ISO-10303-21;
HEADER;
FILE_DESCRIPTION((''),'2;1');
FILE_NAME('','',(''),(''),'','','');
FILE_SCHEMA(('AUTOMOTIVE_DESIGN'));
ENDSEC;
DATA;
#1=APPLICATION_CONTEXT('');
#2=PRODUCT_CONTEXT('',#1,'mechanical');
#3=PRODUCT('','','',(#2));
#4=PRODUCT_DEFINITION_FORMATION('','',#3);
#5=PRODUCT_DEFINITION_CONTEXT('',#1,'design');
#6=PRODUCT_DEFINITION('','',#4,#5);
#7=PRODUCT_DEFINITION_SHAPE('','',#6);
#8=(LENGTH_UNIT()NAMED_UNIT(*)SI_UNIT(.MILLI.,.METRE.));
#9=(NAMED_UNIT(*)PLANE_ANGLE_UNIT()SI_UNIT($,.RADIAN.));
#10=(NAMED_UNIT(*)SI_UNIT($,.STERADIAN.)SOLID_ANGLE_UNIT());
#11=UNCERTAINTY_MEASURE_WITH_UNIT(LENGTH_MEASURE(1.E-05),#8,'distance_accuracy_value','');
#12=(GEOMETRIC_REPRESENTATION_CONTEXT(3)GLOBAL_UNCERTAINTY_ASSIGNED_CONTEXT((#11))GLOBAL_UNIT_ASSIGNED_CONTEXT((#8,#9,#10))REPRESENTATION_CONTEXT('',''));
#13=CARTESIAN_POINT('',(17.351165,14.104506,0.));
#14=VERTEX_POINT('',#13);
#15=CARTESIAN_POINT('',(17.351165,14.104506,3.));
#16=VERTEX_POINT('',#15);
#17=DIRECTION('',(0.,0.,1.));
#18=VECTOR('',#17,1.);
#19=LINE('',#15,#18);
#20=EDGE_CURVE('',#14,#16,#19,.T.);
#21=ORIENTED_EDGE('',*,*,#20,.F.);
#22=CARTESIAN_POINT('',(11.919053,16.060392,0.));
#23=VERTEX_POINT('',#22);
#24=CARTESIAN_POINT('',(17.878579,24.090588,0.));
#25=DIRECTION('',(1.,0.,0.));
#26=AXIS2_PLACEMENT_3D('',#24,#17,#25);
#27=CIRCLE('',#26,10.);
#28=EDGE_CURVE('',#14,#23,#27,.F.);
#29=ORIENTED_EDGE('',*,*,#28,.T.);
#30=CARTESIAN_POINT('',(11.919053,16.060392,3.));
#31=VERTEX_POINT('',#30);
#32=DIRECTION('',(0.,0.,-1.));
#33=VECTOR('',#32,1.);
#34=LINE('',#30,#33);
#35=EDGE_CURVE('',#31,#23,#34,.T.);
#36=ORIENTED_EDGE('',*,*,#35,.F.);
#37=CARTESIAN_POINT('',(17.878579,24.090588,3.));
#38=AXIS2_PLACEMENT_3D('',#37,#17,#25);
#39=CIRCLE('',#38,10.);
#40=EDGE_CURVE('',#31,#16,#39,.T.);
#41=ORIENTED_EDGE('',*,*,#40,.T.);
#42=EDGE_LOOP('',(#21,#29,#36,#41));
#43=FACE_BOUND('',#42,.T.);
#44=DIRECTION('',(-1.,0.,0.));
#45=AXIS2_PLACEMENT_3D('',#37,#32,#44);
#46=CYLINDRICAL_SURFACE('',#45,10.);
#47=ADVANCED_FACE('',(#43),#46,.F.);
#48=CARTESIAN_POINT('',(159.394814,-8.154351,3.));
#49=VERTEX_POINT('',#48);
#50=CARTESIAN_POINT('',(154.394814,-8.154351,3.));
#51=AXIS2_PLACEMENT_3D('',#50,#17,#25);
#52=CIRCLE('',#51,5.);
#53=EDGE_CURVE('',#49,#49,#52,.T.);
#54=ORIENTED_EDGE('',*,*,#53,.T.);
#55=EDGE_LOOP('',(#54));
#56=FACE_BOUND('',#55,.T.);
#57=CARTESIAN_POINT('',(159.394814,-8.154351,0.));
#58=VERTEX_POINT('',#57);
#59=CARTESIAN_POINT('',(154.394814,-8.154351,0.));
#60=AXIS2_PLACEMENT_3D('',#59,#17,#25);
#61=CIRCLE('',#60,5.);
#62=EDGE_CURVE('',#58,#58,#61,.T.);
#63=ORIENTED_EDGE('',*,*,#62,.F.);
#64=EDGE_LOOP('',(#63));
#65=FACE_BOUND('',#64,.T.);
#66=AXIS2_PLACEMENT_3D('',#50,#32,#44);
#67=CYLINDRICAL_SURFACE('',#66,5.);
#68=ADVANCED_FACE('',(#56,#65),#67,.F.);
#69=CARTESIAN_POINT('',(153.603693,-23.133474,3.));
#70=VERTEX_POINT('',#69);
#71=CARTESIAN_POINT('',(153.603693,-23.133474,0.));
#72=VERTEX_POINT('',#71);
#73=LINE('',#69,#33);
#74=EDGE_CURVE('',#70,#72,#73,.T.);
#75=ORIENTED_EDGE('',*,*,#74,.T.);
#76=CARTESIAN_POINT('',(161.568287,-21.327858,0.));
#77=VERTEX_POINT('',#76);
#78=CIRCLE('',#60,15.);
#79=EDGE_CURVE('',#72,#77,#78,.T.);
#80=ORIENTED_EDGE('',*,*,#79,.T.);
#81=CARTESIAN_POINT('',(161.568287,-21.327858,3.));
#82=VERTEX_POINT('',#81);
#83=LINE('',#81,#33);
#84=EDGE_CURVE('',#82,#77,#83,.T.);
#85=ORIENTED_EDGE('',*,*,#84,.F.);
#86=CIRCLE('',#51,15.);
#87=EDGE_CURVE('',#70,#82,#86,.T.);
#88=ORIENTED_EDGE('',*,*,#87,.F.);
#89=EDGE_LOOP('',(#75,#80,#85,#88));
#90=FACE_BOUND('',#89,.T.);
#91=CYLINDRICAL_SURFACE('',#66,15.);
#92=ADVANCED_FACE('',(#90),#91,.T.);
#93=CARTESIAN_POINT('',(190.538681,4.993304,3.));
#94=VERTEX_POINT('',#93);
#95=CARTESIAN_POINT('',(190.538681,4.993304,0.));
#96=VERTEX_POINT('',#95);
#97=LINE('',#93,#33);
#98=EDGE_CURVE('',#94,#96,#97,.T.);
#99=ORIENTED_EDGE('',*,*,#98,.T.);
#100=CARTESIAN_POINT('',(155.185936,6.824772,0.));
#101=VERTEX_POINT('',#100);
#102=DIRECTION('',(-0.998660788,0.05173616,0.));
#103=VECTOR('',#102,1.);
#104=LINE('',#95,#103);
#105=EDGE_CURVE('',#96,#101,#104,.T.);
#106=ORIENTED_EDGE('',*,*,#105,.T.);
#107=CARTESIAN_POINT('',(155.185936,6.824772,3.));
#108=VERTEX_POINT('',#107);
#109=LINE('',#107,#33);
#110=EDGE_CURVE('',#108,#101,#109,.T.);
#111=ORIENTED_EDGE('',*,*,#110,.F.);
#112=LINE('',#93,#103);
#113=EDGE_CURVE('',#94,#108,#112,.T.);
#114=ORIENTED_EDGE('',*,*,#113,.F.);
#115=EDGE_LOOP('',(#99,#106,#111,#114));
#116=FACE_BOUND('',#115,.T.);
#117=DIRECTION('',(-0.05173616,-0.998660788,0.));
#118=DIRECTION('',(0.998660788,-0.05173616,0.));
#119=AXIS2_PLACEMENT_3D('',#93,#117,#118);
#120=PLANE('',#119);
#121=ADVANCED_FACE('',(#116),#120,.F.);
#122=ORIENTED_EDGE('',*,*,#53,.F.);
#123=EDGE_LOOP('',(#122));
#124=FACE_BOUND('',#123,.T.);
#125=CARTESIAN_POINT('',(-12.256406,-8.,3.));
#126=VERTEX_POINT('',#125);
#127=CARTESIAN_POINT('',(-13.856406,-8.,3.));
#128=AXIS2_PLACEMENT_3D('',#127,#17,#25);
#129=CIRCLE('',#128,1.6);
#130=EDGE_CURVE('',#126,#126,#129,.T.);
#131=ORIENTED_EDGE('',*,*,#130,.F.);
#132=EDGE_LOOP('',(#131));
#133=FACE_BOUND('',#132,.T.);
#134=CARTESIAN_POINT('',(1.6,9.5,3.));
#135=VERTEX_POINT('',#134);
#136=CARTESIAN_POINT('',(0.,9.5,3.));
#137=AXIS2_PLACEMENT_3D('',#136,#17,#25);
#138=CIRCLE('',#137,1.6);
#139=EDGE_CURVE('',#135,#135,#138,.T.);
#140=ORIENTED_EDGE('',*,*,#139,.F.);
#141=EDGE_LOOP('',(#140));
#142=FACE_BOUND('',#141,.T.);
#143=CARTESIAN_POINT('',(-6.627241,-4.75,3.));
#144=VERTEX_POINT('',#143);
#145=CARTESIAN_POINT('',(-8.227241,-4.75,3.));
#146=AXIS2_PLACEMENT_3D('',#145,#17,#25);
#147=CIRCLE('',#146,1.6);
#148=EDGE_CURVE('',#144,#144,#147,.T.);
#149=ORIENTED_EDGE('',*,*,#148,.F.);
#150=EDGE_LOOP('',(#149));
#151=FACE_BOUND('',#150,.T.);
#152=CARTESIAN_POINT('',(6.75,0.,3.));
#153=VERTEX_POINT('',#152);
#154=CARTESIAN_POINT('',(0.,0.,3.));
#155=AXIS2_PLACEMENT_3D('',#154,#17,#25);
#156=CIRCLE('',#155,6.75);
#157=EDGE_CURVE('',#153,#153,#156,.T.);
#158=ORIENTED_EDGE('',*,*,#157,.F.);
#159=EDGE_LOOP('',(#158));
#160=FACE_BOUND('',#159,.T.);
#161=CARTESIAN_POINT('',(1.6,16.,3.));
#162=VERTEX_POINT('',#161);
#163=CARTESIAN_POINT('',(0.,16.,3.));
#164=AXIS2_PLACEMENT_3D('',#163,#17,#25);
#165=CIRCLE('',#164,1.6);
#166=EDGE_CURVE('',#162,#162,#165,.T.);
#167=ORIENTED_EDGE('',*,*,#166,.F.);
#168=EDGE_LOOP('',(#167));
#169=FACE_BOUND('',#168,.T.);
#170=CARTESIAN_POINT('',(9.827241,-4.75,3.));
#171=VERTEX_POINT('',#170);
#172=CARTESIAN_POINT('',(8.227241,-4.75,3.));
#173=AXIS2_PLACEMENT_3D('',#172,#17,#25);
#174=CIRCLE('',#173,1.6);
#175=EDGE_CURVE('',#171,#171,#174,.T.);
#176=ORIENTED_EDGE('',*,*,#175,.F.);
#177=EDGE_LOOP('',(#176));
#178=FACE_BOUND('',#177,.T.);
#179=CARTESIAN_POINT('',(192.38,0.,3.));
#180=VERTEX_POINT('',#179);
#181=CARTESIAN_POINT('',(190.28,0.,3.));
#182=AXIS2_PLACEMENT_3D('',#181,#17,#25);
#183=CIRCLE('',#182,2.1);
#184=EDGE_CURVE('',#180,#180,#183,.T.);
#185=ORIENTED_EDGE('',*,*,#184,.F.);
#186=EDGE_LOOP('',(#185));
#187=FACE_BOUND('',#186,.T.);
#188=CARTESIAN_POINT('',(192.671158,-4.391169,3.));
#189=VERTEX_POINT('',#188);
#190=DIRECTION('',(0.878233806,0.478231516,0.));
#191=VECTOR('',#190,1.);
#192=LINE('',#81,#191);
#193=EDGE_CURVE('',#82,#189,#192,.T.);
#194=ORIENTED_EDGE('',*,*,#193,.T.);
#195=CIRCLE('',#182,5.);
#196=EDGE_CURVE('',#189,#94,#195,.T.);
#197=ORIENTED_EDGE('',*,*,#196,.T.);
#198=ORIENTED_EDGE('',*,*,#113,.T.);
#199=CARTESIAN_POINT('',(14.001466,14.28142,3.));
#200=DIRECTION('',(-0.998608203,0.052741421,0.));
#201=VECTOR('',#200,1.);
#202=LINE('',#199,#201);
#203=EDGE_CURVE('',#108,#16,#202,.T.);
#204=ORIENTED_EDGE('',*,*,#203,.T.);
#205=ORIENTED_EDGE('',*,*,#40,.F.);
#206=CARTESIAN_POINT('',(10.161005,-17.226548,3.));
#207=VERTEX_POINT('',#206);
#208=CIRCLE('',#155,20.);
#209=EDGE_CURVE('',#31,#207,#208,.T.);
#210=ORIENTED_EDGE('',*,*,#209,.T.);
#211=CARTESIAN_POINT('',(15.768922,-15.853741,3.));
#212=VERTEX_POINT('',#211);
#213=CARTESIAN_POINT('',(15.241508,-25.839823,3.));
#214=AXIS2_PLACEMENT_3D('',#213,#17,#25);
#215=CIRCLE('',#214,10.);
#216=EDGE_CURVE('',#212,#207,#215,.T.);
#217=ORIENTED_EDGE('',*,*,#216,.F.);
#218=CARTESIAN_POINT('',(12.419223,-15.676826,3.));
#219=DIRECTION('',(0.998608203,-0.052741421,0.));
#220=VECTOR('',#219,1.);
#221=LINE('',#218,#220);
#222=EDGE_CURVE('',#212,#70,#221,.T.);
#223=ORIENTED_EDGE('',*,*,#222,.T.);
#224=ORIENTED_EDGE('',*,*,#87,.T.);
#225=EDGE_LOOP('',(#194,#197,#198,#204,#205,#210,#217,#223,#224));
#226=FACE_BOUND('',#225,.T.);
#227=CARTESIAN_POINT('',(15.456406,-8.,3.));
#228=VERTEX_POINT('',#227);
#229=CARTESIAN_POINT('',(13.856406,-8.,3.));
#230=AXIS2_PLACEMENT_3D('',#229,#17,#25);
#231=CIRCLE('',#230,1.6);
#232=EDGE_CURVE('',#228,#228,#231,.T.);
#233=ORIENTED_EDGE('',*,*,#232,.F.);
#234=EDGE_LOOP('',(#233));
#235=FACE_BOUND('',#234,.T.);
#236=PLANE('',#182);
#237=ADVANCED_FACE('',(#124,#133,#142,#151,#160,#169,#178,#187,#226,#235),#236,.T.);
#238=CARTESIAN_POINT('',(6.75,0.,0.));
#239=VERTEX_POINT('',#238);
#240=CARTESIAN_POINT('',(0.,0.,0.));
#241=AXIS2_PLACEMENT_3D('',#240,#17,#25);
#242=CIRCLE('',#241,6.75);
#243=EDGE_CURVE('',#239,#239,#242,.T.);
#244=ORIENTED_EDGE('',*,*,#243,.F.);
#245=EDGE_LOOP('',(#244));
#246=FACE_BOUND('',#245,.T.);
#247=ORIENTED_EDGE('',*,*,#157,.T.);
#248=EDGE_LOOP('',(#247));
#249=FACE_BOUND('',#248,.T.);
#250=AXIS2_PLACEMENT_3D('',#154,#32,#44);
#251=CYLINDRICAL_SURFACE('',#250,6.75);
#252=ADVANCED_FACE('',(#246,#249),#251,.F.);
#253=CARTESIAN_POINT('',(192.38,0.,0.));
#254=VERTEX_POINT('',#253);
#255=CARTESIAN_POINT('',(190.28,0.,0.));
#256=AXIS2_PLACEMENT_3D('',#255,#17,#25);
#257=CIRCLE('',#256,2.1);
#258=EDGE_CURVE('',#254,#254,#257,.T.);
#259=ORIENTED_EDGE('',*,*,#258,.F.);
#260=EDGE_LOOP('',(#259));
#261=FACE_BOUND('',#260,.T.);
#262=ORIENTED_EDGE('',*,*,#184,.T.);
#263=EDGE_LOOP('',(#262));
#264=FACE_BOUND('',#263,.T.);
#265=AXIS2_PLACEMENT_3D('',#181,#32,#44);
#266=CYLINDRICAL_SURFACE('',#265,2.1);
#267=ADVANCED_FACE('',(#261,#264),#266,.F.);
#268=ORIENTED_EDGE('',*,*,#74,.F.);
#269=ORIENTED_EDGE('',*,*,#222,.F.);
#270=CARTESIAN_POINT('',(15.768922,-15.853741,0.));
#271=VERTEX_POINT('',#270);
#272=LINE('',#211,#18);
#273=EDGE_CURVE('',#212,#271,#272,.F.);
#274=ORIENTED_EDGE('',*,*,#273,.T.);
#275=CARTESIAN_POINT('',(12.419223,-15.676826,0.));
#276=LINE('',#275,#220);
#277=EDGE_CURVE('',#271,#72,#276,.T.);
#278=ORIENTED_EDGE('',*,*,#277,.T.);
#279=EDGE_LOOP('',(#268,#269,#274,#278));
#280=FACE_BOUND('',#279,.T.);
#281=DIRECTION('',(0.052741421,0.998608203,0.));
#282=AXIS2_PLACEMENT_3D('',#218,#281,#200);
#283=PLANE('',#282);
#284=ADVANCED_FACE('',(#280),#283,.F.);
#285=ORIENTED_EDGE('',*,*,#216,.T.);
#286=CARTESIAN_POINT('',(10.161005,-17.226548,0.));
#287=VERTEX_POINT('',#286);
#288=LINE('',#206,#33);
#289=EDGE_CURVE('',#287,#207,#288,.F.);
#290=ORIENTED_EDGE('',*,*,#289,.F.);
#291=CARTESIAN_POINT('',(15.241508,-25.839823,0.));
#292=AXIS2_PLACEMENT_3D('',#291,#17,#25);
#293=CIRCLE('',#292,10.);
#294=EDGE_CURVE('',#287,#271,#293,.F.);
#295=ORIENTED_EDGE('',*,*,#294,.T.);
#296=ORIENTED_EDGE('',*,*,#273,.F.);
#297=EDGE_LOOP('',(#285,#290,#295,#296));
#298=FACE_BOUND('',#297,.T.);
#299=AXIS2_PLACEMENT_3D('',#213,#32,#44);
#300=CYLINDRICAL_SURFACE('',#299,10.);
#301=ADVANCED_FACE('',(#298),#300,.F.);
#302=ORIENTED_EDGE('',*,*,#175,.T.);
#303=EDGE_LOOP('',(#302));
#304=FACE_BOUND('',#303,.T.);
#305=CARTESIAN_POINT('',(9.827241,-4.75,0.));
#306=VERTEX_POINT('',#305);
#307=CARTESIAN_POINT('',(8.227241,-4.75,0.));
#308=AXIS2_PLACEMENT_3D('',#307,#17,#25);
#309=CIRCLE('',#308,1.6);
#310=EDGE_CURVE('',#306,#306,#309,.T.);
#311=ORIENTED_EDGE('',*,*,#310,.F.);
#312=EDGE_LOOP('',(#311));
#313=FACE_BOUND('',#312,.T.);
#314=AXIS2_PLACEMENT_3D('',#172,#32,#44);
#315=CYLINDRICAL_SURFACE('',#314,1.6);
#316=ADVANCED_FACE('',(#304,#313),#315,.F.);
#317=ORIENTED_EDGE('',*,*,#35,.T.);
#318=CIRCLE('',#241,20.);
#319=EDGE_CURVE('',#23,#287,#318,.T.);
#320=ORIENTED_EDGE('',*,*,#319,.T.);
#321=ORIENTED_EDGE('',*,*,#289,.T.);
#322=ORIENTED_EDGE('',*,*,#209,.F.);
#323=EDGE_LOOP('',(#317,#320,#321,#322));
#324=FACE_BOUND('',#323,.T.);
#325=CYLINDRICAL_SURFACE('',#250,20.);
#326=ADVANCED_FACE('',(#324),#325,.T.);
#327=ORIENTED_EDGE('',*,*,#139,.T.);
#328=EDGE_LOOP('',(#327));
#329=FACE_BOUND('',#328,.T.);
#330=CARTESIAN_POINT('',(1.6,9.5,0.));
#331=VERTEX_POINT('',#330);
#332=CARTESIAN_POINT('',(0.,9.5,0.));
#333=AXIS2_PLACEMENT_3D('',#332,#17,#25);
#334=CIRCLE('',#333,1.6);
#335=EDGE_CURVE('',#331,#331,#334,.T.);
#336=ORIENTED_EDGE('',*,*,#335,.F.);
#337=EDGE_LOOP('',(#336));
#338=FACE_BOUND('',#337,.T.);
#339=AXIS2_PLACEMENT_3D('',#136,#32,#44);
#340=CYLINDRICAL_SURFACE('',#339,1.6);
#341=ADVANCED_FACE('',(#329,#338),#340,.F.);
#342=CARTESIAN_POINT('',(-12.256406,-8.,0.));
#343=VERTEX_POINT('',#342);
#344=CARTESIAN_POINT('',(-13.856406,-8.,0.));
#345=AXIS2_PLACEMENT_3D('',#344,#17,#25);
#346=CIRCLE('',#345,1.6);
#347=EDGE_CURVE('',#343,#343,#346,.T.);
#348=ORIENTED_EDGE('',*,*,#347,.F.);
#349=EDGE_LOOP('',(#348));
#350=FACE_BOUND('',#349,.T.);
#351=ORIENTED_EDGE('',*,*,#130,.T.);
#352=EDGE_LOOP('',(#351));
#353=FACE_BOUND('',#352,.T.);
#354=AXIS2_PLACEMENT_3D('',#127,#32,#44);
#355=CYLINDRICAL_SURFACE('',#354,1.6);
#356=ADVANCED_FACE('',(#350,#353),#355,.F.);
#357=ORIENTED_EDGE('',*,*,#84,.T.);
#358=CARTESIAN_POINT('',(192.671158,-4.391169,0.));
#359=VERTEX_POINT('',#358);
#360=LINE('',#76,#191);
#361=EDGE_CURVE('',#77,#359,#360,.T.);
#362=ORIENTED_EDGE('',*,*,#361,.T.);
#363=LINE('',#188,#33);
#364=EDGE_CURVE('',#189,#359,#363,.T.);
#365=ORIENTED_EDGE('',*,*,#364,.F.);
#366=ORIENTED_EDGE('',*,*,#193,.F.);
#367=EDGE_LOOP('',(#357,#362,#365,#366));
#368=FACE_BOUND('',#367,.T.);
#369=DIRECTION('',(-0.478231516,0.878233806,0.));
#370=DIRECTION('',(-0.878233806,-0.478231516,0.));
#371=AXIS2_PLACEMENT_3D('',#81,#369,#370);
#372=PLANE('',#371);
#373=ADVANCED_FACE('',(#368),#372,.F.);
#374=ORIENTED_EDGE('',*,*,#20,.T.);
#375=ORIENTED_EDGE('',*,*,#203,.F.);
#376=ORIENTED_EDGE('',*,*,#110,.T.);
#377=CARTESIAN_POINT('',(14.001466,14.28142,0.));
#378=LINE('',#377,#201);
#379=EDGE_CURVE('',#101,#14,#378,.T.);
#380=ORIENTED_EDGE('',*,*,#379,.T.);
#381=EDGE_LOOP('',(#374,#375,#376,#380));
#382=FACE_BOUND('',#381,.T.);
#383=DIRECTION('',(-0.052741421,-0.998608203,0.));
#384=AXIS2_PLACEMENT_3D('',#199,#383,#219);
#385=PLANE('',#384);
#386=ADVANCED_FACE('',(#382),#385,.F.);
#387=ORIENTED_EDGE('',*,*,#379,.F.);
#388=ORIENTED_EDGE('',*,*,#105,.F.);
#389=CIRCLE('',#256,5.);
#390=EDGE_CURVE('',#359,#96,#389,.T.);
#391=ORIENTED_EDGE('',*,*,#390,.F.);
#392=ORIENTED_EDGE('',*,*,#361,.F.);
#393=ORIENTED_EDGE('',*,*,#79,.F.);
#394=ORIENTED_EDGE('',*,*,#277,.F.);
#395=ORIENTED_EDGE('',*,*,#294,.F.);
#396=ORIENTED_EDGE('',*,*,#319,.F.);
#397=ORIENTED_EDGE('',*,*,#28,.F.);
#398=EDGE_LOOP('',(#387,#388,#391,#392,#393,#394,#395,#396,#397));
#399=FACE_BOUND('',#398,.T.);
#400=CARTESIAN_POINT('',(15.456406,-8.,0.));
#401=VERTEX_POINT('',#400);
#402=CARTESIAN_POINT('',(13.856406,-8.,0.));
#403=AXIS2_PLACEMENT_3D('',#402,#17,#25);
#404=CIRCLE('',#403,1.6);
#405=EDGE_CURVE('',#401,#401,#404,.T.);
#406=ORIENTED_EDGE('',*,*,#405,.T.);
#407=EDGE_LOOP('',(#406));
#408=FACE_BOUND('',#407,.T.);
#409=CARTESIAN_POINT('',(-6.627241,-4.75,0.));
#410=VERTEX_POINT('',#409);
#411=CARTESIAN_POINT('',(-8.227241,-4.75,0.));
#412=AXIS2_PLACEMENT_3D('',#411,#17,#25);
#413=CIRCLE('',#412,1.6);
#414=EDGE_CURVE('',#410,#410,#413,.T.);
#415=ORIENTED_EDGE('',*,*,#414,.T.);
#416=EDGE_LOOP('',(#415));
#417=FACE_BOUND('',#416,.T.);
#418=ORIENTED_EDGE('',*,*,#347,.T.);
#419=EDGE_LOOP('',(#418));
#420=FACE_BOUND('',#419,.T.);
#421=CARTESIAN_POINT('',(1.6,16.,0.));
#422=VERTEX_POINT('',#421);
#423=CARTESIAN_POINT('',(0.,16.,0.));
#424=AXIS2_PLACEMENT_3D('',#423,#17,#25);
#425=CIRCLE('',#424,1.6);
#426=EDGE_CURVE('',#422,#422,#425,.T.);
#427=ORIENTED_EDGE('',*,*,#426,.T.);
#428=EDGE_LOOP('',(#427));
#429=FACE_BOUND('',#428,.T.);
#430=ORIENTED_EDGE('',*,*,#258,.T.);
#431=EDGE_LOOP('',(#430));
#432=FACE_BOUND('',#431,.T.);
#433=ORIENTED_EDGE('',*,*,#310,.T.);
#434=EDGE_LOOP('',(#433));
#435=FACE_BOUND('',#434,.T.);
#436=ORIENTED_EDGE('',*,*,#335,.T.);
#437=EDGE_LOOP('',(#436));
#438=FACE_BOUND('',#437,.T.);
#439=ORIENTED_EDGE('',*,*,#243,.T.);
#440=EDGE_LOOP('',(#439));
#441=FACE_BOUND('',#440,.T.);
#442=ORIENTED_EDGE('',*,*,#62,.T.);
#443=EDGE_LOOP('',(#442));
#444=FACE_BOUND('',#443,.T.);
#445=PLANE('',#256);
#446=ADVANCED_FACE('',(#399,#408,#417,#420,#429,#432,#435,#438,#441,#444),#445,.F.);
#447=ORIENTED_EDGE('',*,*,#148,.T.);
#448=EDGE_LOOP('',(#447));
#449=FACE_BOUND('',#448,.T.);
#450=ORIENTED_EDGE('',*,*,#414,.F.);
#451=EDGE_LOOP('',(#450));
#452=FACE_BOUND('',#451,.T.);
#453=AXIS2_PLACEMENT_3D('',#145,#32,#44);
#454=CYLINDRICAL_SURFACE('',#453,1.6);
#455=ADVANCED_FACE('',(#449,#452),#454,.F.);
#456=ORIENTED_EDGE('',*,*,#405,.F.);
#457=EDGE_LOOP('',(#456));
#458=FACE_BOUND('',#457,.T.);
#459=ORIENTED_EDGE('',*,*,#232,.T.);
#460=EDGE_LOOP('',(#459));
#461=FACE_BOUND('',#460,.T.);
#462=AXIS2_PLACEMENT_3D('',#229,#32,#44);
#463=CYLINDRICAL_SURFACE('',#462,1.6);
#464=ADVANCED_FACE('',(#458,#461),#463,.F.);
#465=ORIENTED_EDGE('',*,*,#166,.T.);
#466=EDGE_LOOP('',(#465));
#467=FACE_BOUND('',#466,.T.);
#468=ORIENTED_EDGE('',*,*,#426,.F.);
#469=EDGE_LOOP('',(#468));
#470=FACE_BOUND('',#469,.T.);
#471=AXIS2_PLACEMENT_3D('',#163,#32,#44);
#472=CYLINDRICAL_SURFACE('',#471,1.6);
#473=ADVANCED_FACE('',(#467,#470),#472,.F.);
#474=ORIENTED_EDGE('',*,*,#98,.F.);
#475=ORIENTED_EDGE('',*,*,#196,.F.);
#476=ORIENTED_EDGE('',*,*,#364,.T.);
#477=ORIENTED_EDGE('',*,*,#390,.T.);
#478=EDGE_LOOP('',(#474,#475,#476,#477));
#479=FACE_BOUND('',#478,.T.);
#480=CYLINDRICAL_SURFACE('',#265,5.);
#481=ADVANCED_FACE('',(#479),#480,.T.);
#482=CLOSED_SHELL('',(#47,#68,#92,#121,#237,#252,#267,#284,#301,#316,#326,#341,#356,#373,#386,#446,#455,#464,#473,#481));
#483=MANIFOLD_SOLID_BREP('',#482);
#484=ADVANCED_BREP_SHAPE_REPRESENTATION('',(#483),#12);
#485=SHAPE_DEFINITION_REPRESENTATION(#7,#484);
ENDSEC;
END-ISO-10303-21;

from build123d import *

# Parameters (mm, degrees)
SKETCH_1_R      = 5
SKETCH_1_R_2    = 2.1
SKETCH_1_R_3    = 6.75
SKETCH_1_R_4    = 1.6
EXTRUDE_1_DEPTH = 3
FILLET_1_R      = 10
FILLET_2_R      = 10


with BuildPart() as part:
    # 草图1 → 凸台-拉伸1 (new body)
    with BuildSketch(Plane.XY):
        with BuildLine():
            Line((12.419223494, -15.676826458), (153.603692908, -23.133474126))
            ThreePointArc((153.603692908, -23.133474126), (157.711237696, -22.783135564), (161.568286957, -21.32785817))
            Line((161.568286957, -21.32785817), (192.671157578, -4.391169028))
            ThreePointArc((192.671157578, -4.391169028), (195.155704471, 1.10792866), (190.538680801, 4.993303941))
            Line((190.538680801, 4.993303941), (155.185935535, 6.824771956))
            Line((155.185935535, 6.824771956), (14.001466121, 14.281419623))
            ThreePointArc((14.001466121, 14.281419623), (-19.972164054, 1.054828418), (12.419223494, -15.676826458))
        make_face()
        with Locations((154.394814221, -8.154351085)):
            Circle(SKETCH_1_R, mode=Mode.SUBTRACT)
        with Locations((190.28, 0)):
            Circle(SKETCH_1_R_2, mode=Mode.SUBTRACT)
        Circle(SKETCH_1_R_3, mode=Mode.SUBTRACT)
        with Locations((0, 9.5)):
            Circle(SKETCH_1_R_4, mode=Mode.SUBTRACT)
        with Locations((0, 16)):
            Circle(SKETCH_1_R_4, mode=Mode.SUBTRACT)
        with Locations((8.227241336, -4.75)):
            Circle(SKETCH_1_R_4, mode=Mode.SUBTRACT)
        with Locations((-8.227241336, -4.75)):
            Circle(SKETCH_1_R_4, mode=Mode.SUBTRACT)
        with Locations((13.856406461, -8)):
            Circle(SKETCH_1_R_4, mode=Mode.SUBTRACT)
        with Locations((-13.856406461, -8)):
            Circle(SKETCH_1_R_4, mode=Mode.SUBTRACT)
    extrude(amount=EXTRUDE_1_DEPTH)

    # 圆角1
    fillet_1_edges = [part.edges().sort_by_distance(p)[0] for p in [
        (14.001466121, 14.281419623, 1.5),
    ]]
    fillet(fillet_1_edges, radius=FILLET_1_R)

    # 圆角2
    fillet_2_edges = [part.edges().sort_by_distance(p)[0] for p in [
        (12.419223494, -15.676826458, 1.5),
    ]]
    fillet(fillet_2_edges, radius=FILLET_2_R)


solid = part.part
